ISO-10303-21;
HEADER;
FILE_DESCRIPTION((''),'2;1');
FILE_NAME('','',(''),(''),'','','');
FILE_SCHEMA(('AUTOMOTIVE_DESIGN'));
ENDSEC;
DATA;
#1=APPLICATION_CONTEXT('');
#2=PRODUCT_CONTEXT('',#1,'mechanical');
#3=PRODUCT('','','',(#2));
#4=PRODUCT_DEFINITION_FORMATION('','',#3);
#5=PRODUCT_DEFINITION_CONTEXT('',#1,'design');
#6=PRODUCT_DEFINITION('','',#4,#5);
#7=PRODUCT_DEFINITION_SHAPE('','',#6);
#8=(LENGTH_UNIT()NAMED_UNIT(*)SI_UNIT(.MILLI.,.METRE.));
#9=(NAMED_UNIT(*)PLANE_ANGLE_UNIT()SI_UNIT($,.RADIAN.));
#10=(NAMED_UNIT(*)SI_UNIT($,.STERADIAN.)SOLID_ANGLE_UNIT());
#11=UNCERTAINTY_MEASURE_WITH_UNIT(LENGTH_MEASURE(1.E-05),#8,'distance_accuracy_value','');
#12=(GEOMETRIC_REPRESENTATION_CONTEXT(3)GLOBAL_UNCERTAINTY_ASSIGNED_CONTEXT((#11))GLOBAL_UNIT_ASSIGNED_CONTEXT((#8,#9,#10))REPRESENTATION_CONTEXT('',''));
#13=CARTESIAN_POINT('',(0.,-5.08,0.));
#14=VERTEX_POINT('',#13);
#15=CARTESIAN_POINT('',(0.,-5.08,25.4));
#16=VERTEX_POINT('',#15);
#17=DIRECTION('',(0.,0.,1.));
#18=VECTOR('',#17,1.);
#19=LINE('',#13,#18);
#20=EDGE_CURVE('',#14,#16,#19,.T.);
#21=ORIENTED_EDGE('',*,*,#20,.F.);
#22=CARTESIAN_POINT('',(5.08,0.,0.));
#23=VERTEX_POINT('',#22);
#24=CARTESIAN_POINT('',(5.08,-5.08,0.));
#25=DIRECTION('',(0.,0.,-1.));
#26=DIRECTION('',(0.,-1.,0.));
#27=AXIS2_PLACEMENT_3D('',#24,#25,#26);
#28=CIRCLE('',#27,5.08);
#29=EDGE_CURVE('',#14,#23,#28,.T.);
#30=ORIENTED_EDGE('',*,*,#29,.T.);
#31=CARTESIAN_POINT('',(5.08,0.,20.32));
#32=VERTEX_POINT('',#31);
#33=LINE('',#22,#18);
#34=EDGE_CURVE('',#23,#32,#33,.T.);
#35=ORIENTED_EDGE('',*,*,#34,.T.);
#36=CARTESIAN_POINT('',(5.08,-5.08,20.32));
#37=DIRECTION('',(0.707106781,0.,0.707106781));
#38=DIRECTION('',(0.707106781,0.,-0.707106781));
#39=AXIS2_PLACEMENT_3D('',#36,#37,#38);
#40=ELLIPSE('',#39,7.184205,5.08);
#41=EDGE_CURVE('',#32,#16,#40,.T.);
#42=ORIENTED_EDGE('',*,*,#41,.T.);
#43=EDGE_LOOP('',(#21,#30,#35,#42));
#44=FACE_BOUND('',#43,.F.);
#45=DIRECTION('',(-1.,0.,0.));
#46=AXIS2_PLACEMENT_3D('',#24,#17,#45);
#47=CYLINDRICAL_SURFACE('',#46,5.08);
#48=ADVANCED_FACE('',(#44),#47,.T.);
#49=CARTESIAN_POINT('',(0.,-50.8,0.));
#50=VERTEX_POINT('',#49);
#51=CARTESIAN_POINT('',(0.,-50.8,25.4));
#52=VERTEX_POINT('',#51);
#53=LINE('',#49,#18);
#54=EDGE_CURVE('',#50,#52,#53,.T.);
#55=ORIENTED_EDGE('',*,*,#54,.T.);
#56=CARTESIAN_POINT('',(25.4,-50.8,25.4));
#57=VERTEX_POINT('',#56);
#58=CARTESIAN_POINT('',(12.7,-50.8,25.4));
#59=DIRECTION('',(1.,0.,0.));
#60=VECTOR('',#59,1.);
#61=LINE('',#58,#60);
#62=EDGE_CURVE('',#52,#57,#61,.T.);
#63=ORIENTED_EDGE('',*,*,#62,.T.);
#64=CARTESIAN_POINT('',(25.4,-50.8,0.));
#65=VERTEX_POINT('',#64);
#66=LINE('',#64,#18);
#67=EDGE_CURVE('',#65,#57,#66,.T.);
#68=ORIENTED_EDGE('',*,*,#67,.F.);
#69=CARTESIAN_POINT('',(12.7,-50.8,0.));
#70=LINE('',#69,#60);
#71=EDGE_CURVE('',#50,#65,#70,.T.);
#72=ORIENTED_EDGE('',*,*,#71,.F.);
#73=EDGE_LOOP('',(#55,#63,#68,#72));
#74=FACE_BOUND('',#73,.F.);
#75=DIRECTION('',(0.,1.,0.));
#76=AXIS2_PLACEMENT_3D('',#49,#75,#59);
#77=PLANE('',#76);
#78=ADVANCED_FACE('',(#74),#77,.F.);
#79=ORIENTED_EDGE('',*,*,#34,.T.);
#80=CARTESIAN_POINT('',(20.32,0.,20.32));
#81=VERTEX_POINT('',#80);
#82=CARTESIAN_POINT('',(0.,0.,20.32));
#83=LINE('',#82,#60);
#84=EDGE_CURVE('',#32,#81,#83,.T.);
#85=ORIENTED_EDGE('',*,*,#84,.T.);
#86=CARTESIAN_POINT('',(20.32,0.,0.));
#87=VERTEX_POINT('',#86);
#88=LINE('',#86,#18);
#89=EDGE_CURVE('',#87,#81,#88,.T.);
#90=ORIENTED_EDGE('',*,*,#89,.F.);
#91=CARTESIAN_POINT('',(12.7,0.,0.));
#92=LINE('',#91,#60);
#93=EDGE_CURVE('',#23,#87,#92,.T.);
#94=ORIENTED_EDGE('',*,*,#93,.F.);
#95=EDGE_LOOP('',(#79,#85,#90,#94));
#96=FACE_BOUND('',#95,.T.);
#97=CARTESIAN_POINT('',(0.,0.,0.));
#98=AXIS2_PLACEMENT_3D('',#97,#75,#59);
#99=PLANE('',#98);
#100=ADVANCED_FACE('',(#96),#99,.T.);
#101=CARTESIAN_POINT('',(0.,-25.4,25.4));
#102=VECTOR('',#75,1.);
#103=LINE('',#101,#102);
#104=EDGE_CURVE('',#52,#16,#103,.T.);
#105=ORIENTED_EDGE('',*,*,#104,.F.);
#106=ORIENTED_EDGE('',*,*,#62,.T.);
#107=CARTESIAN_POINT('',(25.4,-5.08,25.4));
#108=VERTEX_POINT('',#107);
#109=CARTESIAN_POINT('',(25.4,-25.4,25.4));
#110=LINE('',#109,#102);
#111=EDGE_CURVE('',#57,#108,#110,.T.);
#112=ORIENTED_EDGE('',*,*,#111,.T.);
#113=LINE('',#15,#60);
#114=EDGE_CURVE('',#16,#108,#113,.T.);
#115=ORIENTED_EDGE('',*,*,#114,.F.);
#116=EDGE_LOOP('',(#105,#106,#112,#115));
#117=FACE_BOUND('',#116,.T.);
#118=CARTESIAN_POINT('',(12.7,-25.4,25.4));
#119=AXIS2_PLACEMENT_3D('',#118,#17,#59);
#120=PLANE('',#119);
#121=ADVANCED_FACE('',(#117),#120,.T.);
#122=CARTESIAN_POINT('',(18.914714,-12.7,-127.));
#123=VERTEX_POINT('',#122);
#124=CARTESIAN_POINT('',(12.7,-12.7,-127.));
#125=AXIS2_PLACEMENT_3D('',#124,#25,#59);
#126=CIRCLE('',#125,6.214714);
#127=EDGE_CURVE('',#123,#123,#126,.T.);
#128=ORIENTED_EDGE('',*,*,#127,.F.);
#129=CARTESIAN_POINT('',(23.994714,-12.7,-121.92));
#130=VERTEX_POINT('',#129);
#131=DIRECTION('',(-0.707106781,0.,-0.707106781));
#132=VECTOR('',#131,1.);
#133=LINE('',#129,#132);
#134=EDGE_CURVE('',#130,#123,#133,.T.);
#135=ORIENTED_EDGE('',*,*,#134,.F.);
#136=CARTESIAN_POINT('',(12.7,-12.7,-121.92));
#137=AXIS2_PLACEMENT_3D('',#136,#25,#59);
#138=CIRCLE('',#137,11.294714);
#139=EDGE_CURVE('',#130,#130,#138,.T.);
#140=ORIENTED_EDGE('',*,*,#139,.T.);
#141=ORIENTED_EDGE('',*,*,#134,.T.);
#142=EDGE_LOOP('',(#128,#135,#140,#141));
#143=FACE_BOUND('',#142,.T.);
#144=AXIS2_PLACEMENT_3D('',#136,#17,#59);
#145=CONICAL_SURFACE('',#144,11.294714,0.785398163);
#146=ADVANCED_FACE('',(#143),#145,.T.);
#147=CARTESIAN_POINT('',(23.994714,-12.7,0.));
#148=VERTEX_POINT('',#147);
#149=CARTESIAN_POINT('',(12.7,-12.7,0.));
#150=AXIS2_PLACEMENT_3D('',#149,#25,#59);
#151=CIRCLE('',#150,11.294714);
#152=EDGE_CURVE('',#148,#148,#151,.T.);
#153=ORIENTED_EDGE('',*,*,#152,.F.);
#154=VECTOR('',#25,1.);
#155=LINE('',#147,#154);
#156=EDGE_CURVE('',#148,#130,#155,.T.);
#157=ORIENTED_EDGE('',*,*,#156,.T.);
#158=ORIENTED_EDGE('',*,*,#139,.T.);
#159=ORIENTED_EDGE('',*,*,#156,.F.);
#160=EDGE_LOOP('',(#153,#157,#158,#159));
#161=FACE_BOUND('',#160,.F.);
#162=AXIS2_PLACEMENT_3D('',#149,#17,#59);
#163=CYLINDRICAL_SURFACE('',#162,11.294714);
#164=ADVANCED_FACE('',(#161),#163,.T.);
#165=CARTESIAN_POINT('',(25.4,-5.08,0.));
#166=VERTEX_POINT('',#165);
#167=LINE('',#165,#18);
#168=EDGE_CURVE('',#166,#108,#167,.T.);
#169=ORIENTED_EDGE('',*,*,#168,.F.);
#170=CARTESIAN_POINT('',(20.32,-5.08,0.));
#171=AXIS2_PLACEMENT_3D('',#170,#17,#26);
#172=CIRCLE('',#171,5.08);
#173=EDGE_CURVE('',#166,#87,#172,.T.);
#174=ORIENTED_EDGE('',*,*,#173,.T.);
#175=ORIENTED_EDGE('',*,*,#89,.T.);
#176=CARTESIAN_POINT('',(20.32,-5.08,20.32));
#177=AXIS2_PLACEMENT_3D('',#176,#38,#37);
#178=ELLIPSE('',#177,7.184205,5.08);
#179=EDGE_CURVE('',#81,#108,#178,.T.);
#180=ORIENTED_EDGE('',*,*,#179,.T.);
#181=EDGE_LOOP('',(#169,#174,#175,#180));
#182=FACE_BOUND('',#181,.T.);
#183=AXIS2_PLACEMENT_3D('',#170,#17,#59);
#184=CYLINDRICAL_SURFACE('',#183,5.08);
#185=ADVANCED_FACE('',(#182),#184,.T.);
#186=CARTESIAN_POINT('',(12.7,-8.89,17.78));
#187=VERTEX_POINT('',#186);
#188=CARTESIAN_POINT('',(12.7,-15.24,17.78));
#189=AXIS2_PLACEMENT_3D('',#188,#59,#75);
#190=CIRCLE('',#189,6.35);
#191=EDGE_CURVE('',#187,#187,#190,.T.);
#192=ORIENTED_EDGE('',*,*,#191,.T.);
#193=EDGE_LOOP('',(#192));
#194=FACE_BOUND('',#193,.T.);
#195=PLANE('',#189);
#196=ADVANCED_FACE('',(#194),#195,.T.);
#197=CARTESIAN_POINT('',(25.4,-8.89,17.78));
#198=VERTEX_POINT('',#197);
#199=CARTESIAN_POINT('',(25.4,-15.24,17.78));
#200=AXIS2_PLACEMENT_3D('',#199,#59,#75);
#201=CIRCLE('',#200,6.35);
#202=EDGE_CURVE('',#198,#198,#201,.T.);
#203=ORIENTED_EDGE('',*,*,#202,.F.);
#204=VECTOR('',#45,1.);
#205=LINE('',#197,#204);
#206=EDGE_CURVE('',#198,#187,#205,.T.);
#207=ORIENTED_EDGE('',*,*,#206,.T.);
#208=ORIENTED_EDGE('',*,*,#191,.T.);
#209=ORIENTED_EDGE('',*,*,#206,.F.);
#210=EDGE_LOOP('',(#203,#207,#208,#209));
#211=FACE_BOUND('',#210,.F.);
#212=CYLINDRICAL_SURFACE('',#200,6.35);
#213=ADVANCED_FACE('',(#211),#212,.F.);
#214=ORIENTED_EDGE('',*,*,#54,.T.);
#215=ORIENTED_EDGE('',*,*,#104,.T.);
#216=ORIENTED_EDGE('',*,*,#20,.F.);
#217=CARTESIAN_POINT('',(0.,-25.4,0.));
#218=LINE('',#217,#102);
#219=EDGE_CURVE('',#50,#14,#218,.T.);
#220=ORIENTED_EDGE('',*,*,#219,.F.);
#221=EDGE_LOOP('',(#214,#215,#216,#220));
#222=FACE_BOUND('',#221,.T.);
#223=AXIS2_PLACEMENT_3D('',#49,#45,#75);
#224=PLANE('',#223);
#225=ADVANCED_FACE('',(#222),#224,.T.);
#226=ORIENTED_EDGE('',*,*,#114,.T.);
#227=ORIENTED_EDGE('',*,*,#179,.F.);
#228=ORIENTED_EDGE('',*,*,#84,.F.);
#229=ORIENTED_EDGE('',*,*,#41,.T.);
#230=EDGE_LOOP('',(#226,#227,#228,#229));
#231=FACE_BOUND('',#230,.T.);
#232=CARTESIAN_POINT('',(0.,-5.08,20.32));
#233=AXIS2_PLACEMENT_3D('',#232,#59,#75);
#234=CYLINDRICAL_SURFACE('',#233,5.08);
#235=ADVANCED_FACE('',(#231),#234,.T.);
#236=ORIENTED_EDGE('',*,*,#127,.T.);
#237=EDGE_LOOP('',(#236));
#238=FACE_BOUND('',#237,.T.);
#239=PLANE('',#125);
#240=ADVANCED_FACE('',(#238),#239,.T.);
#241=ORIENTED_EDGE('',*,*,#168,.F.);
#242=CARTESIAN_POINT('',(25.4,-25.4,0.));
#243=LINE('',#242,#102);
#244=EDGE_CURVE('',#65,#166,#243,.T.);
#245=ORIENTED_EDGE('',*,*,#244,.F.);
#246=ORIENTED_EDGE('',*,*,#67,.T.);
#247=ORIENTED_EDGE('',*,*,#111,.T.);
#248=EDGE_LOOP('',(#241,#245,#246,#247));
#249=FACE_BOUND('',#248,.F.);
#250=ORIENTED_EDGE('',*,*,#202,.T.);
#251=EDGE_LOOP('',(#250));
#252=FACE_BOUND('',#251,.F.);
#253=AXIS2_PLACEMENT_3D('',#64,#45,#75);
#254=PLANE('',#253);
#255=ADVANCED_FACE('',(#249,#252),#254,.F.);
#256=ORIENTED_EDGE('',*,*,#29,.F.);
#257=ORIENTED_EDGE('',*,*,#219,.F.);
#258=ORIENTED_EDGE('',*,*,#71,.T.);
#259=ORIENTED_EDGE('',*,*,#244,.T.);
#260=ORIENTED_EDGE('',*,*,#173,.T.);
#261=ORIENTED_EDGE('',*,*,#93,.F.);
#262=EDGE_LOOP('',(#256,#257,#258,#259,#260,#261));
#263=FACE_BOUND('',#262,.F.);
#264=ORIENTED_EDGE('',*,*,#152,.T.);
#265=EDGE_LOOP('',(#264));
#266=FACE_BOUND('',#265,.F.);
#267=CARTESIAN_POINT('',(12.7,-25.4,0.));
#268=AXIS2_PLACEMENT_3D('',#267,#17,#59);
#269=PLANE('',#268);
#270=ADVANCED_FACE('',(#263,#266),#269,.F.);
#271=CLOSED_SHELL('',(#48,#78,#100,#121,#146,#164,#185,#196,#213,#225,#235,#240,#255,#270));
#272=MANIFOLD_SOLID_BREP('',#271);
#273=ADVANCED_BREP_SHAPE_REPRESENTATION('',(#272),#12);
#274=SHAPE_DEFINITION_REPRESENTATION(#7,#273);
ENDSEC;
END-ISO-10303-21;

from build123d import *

# Parameters (mm, degrees)
F0_W     = 25.4
F0_H     = 50.8
F1_DEPTH = 25.4
F2_R     = 5.08
F3_R     = 11.294714
F4_DEPTH = 127
F5_SIZE  = 5.08
F6_R     = 6.35
F7_DEPTH = 12.7


with BuildPart() as f1:
    # F0 (on Top) → F1 (new body)
    with BuildSketch(Plane.XY):
        with Locations((12.7, -25.4)):
            Rectangle(F0_W, F0_H)
    extrude(amount=F1_DEPTH)

    # F2
    f2_edges = [f1.edges().sort_by_distance(p)[0] for p in [
        (12.7, 0, 25.4),
        (25.4, 0, 12.7),
        (0, 0, 12.7),
    ]]
    fillet(f2_edges, radius=F2_R)

    # F3 (on face) → F4 (join)
    with BuildSketch(Plane(origin=(0, 0, 0), x_dir=(1, 0, 0), z_dir=(0, 0, -1))):
        with Locations((12.7, 12.7)):
            Circle(F3_R)
    extrude(amount=F4_DEPTH)

    # F5
    f5_edges = [f1.edges().sort_by_distance(p)[0] for p in [
        (1.405286, -12.7, -127),
    ]]
    chamfer(f5_edges, length=F5_SIZE)

    # F6 (on face) → F7 (cut)
    with BuildSketch(Plane.YZ.offset(25.4)):
        with Locations((-15.24, 17.78)):
            Circle(F6_R)
    extrude(amount=-F7_DEPTH, mode=Mode.SUBTRACT)


solid = f1.part
